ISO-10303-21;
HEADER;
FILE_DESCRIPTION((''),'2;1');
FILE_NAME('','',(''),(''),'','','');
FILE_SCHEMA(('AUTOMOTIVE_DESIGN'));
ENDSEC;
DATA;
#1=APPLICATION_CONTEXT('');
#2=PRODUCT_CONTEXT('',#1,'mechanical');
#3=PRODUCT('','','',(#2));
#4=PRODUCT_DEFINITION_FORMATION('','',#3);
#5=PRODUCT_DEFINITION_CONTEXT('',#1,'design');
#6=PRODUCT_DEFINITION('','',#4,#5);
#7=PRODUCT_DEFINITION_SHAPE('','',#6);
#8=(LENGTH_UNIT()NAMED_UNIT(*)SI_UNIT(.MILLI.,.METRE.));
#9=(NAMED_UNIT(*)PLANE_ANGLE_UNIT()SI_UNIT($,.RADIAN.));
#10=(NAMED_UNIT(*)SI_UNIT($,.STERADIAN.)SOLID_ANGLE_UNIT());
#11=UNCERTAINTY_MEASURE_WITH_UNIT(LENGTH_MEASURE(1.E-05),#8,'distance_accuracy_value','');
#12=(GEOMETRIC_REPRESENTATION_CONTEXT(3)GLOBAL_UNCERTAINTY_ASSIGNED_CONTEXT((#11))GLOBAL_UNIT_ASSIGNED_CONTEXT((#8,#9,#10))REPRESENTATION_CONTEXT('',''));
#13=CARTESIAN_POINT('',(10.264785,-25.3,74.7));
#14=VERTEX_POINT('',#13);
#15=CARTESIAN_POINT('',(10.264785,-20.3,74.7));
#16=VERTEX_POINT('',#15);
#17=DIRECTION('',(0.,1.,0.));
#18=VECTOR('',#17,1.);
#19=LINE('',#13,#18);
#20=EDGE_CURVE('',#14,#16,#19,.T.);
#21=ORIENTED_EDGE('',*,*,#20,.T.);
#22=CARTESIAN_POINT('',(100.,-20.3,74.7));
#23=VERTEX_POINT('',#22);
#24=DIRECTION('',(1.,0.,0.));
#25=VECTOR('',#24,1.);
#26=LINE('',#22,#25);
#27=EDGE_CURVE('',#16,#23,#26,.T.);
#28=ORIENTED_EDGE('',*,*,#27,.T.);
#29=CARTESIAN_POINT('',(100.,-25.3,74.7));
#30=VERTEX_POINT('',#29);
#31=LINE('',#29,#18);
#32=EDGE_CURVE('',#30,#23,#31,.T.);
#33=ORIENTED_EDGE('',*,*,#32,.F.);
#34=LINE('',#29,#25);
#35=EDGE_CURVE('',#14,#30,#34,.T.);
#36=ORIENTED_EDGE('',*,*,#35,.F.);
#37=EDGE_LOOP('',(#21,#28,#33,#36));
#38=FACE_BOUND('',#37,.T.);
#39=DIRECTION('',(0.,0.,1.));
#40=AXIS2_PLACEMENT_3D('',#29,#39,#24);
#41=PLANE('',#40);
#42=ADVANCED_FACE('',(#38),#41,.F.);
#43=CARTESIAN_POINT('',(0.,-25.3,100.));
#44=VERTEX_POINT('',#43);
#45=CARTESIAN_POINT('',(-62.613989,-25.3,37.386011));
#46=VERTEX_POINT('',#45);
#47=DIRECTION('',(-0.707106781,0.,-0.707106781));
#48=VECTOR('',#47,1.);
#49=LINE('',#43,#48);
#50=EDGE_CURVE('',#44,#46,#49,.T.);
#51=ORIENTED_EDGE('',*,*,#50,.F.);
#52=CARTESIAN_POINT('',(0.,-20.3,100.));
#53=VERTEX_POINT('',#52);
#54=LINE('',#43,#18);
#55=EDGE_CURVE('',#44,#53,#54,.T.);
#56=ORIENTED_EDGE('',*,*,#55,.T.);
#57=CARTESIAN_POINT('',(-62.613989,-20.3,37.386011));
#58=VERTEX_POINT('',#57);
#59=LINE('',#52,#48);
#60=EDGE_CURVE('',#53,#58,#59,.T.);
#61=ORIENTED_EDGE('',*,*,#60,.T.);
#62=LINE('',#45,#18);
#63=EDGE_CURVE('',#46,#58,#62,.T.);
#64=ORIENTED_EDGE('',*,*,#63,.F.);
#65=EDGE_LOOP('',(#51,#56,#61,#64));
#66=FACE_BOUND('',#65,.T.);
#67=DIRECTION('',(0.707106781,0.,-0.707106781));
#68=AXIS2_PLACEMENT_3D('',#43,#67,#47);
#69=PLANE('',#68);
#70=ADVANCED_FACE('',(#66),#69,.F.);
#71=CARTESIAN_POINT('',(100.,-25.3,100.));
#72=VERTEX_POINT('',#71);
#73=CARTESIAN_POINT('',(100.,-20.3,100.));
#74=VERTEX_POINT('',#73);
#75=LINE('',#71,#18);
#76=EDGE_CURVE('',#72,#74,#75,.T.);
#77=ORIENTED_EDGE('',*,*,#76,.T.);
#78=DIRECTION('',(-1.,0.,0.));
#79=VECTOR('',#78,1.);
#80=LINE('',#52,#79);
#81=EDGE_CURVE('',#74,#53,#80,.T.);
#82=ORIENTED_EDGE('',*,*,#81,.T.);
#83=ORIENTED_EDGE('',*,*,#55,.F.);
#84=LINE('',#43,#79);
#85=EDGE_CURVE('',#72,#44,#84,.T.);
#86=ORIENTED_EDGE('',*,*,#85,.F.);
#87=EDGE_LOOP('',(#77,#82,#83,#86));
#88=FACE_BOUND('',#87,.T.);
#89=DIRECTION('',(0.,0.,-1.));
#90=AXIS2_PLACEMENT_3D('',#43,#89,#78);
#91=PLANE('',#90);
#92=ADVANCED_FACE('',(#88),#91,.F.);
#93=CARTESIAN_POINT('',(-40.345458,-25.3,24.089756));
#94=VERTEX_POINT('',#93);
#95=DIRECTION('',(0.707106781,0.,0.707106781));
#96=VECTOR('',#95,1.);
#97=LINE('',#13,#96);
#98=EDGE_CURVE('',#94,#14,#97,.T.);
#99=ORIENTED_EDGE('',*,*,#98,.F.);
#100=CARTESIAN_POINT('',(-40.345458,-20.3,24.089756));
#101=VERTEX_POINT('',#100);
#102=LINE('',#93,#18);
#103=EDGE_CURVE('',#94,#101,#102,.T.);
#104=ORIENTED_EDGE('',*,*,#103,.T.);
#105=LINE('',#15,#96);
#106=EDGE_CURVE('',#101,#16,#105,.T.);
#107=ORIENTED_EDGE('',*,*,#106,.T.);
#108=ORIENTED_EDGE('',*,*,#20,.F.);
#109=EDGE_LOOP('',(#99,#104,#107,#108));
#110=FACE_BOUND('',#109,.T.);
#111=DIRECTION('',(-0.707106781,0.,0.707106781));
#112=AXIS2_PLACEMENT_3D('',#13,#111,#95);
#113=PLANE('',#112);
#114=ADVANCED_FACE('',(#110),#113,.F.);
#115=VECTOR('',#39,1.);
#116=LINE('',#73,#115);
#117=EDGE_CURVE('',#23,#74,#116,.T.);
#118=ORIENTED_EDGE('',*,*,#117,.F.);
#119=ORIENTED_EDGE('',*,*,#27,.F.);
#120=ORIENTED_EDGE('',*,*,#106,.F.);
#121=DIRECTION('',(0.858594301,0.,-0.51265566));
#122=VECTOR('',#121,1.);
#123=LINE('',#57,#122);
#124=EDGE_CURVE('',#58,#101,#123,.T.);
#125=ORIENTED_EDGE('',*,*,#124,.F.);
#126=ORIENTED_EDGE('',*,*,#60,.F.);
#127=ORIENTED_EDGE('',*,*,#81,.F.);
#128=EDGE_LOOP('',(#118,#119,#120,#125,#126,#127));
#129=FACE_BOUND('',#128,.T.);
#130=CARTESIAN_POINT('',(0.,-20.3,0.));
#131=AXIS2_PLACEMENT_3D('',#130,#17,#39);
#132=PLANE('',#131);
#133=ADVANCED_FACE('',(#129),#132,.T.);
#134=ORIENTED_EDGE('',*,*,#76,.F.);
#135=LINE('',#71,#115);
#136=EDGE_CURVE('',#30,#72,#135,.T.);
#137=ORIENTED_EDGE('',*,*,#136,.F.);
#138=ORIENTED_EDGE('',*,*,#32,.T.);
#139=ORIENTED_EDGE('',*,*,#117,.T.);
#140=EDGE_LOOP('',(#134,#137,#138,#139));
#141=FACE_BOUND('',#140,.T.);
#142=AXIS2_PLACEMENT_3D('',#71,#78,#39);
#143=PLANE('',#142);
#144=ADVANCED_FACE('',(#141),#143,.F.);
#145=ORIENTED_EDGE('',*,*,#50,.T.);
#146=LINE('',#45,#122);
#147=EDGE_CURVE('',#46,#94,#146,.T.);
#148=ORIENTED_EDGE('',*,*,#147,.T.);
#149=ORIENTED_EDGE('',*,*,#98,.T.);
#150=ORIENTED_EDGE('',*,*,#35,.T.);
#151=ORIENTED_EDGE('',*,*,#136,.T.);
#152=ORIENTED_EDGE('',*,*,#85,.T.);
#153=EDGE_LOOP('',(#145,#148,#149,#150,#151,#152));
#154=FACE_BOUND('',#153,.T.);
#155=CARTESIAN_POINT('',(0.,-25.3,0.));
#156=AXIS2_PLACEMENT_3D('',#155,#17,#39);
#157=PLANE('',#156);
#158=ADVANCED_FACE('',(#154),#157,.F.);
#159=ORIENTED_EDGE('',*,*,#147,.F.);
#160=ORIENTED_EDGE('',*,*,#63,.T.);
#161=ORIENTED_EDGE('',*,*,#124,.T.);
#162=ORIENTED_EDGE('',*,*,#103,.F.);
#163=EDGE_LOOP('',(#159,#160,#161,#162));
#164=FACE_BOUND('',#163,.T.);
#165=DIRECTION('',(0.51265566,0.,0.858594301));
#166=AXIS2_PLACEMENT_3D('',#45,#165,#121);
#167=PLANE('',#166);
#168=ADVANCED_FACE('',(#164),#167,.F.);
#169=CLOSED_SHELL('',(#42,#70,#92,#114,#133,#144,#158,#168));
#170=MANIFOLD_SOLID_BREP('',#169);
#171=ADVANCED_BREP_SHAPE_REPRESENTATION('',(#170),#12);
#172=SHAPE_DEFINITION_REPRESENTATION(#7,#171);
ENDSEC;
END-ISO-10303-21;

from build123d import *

# Parameters (mm, degrees)
BOSS_EXTRUDE4_DEPTH = 5


with BuildPart() as part:
    # Sketch5 → Boss-Extrude4 (new body)
    with BuildSketch(Plane.XZ.offset(20.3)):
        Polygon((0, 100), (-62.613989109, 37.386010891), (-40.345458425, 24.089756452), (10.264785123, 74.7), (100, 74.7), (100, 100), align=None)
    extrude(amount=BOSS_EXTRUDE4_DEPTH)


solid = part.part
